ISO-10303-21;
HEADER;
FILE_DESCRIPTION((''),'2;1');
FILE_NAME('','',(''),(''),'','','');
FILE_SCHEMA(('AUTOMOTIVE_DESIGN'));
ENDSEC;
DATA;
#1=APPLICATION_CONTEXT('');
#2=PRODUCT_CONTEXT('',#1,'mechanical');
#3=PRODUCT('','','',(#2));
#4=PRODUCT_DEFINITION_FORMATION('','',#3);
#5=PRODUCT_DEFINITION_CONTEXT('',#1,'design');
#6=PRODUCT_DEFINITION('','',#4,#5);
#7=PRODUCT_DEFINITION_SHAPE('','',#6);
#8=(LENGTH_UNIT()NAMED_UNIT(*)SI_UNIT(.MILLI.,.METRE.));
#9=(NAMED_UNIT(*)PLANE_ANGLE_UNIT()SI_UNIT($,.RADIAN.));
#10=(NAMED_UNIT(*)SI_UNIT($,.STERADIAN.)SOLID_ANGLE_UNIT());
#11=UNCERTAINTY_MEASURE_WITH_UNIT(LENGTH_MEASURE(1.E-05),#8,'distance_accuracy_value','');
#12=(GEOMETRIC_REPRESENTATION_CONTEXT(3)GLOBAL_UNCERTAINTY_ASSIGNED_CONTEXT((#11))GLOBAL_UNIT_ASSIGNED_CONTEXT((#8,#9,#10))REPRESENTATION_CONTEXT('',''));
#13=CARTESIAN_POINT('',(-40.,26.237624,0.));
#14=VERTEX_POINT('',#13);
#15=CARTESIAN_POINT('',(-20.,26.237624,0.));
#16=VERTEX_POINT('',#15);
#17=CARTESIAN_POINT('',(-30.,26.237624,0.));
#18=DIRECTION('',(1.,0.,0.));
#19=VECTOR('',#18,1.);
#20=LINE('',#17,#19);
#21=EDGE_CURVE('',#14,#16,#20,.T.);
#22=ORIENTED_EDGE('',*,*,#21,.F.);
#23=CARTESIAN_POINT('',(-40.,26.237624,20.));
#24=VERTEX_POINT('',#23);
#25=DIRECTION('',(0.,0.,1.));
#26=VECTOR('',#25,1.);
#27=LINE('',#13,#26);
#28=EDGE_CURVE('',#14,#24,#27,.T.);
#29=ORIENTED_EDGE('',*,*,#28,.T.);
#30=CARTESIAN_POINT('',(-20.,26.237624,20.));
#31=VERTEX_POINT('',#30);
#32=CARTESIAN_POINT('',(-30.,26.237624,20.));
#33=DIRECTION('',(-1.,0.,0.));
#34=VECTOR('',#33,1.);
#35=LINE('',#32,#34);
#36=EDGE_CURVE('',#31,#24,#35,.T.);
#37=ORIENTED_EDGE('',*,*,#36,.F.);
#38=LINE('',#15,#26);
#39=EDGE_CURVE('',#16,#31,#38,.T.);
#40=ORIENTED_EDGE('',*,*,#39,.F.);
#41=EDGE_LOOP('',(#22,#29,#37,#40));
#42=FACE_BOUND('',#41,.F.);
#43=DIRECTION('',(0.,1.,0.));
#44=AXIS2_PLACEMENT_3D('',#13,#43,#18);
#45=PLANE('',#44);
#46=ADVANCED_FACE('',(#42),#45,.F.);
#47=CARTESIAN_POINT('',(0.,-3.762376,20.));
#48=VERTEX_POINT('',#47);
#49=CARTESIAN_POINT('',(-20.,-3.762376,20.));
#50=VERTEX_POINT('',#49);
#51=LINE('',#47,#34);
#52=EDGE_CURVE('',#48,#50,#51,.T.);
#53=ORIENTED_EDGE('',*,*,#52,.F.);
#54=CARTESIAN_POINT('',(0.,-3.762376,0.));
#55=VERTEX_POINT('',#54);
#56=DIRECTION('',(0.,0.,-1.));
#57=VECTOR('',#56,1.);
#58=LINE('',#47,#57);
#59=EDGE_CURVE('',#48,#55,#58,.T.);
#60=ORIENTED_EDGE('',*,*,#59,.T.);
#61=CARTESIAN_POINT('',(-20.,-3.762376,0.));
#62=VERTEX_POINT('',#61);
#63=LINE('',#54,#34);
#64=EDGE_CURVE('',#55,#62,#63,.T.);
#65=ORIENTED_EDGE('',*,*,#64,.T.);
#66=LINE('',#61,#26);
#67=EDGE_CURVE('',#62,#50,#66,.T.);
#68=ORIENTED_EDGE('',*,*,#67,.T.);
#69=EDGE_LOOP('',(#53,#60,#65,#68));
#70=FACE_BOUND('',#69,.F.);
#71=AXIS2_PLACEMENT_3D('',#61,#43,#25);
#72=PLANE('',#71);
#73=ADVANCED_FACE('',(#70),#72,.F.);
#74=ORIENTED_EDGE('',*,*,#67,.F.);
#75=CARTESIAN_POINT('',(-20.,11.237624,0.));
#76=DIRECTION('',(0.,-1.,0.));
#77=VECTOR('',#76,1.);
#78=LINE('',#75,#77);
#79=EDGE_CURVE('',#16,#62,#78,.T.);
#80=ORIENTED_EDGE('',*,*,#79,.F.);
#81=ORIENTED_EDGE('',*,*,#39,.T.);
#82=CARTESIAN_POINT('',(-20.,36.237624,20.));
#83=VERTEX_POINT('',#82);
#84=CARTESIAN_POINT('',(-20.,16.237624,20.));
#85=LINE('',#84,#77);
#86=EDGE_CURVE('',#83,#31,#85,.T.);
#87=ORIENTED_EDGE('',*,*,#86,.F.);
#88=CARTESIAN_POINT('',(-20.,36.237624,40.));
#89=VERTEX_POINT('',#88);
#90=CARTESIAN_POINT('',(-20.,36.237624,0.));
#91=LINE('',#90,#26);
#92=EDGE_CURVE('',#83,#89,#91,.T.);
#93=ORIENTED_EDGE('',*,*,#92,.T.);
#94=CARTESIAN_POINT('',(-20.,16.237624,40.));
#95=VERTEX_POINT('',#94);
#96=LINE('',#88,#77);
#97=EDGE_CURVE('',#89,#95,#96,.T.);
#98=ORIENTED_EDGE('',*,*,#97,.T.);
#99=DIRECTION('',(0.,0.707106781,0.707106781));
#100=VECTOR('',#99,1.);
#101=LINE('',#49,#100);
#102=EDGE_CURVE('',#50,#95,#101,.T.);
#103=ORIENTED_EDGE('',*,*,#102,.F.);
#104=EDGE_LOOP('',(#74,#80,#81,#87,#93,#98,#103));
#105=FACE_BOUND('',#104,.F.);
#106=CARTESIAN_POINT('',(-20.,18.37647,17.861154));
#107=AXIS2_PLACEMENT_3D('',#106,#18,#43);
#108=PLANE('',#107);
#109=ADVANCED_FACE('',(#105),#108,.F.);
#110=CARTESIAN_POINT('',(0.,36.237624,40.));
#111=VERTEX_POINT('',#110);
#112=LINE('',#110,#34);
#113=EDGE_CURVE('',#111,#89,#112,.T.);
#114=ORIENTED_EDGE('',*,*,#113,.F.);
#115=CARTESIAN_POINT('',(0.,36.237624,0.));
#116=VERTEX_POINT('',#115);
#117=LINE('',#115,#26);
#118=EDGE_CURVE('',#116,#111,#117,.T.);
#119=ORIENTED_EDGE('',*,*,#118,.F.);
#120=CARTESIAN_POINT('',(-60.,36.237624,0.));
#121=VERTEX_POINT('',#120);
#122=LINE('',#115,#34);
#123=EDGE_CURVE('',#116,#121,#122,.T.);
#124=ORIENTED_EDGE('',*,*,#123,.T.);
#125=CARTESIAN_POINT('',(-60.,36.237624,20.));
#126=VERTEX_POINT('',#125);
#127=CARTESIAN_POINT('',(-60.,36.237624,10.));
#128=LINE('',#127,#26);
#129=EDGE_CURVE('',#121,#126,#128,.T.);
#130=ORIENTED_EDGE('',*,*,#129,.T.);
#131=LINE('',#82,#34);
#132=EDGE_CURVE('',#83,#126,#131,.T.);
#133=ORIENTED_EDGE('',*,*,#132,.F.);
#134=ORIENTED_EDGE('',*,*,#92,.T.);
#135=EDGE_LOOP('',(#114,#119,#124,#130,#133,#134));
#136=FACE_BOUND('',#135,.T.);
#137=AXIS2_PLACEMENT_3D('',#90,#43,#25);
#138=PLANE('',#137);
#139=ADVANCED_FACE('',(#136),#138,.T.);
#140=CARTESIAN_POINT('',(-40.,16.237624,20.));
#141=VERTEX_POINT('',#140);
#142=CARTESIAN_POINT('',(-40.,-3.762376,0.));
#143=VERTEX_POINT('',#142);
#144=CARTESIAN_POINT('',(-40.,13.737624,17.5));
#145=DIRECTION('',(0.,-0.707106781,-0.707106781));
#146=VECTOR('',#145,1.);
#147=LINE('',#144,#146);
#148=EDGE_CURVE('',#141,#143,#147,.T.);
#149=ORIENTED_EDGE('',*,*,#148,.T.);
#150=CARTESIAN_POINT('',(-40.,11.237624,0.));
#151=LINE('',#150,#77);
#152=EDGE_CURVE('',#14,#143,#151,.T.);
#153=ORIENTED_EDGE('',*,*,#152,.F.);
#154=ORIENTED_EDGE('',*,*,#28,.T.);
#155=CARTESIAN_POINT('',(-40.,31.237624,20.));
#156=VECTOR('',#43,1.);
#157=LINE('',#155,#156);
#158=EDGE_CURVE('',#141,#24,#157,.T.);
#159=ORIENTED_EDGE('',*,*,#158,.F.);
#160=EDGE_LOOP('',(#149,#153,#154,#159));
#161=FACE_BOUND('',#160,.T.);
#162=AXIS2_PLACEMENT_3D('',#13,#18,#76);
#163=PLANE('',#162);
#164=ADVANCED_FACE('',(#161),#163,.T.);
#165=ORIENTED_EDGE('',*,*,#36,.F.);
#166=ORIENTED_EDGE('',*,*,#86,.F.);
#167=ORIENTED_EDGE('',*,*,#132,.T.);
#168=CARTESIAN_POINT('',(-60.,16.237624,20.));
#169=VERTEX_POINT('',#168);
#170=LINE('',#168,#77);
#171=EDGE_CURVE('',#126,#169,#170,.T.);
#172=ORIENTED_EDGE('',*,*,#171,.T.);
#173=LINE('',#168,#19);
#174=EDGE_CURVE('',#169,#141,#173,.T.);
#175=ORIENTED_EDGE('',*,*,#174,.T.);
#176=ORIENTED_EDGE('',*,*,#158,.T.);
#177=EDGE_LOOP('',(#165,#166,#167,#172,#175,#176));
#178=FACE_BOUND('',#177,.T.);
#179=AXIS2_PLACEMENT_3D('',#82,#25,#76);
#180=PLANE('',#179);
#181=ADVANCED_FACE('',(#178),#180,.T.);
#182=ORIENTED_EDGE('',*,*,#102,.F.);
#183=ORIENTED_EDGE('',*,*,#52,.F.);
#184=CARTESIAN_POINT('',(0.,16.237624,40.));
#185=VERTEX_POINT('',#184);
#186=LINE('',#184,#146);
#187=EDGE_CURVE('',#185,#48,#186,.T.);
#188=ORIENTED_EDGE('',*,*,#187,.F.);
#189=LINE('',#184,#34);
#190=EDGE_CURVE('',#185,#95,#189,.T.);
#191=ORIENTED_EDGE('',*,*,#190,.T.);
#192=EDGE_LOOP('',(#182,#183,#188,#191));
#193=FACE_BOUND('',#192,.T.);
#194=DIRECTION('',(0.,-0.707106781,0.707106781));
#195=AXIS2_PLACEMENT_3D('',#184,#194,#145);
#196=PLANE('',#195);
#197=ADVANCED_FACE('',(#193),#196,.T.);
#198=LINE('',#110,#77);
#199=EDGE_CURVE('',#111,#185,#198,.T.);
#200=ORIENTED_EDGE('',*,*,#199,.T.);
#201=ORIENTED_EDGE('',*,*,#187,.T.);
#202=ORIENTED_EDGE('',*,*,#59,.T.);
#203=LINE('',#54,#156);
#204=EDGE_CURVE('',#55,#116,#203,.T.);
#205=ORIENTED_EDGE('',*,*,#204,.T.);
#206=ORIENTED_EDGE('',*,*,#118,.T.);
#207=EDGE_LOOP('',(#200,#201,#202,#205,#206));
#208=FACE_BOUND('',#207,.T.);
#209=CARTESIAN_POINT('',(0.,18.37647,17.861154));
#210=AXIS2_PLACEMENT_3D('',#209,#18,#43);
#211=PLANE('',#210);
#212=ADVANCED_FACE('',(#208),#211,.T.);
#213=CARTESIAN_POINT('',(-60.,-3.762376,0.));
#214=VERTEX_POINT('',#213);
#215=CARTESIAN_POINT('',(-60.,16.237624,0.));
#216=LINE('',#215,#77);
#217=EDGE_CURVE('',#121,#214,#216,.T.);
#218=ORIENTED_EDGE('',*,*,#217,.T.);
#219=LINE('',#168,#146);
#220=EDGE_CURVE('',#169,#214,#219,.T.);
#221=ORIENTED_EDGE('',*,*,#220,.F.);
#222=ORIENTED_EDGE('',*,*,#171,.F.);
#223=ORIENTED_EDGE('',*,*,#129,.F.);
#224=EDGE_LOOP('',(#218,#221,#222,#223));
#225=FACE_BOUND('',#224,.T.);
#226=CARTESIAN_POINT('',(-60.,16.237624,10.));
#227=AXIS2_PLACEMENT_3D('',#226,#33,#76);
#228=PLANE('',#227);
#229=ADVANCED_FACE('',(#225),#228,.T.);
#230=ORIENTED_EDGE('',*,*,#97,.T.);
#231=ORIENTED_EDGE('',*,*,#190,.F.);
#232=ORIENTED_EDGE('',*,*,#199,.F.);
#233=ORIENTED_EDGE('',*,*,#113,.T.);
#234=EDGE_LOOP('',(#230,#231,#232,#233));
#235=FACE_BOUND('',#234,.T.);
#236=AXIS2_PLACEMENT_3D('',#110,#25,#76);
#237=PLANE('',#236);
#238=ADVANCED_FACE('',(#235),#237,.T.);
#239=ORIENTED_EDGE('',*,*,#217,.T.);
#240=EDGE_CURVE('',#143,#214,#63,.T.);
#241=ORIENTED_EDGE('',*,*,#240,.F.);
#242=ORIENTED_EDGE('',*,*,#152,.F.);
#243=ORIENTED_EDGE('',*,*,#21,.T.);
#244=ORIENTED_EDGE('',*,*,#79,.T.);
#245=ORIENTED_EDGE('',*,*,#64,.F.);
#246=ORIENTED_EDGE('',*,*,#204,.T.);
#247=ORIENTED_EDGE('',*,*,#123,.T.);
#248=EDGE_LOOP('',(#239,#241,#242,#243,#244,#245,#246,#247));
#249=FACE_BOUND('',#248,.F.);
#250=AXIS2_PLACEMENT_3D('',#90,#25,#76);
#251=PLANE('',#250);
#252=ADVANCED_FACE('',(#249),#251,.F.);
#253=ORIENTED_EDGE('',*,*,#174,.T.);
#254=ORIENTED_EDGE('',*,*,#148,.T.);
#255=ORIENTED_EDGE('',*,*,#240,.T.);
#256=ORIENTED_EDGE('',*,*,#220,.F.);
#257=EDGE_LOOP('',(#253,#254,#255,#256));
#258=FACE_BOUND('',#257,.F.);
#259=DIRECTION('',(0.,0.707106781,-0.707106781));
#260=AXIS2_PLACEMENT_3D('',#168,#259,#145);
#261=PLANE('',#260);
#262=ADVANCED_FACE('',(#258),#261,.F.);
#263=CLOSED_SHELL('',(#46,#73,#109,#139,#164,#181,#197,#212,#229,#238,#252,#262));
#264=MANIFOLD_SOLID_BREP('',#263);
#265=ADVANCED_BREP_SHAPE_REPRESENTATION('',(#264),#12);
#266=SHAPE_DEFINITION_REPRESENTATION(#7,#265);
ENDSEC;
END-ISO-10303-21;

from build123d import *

# Parameters (mm, degrees)
F1_DEPTH = 20
F2_W     = 40
F2_H     = 20
F3_DEPTH = 40
F5_DEPTH = 40
F6_W     = 20
F6_H     = 30
F7_DEPTH = 25


with BuildPart() as f1:
    # F0 (on Right) → F1 (new body)
    with BuildSketch(Plane.YZ):
        Polygon((-3.7623762107, 0), (36.2376237893, 0), (36.2376237893, 40), (16.2376237893, 40), (-3.7623762107, 20), align=None)
    extrude(amount=-F1_DEPTH)

    # F2 (on face) → F3 (join)
    with BuildSketch(Plane(origin=(-20, 0, 0), x_dir=(0, -1, 0), z_dir=(-1, 0, 0))):
        with Locations((-16.2376237893, 10)):
            Rectangle(F2_W, F2_H)
    extrude(amount=F3_DEPTH)

    # F4 (on face) → F5 (cut)
    with BuildSketch(Plane(origin=(-60, 0, 0), x_dir=(0, -1, 0), z_dir=(-1, 0, 0))):
        Polygon((3.7623762107, 20), (-16.2376237893, 20), (3.7623762107, 0), align=None)
    extrude(amount=-F5_DEPTH, mode=Mode.SUBTRACT)

    # F6 (on face) → F7 (cut)
    with BuildSketch(Plane(origin=(0, 0, 0), x_dir=(1, 0, 0), z_dir=(0, 0, -1))):
        with Locations((-30, -11.2376237893)):
            Rectangle(F6_W, F6_H)
    extrude(amount=-F7_DEPTH, mode=Mode.SUBTRACT)


solid = f1.part
